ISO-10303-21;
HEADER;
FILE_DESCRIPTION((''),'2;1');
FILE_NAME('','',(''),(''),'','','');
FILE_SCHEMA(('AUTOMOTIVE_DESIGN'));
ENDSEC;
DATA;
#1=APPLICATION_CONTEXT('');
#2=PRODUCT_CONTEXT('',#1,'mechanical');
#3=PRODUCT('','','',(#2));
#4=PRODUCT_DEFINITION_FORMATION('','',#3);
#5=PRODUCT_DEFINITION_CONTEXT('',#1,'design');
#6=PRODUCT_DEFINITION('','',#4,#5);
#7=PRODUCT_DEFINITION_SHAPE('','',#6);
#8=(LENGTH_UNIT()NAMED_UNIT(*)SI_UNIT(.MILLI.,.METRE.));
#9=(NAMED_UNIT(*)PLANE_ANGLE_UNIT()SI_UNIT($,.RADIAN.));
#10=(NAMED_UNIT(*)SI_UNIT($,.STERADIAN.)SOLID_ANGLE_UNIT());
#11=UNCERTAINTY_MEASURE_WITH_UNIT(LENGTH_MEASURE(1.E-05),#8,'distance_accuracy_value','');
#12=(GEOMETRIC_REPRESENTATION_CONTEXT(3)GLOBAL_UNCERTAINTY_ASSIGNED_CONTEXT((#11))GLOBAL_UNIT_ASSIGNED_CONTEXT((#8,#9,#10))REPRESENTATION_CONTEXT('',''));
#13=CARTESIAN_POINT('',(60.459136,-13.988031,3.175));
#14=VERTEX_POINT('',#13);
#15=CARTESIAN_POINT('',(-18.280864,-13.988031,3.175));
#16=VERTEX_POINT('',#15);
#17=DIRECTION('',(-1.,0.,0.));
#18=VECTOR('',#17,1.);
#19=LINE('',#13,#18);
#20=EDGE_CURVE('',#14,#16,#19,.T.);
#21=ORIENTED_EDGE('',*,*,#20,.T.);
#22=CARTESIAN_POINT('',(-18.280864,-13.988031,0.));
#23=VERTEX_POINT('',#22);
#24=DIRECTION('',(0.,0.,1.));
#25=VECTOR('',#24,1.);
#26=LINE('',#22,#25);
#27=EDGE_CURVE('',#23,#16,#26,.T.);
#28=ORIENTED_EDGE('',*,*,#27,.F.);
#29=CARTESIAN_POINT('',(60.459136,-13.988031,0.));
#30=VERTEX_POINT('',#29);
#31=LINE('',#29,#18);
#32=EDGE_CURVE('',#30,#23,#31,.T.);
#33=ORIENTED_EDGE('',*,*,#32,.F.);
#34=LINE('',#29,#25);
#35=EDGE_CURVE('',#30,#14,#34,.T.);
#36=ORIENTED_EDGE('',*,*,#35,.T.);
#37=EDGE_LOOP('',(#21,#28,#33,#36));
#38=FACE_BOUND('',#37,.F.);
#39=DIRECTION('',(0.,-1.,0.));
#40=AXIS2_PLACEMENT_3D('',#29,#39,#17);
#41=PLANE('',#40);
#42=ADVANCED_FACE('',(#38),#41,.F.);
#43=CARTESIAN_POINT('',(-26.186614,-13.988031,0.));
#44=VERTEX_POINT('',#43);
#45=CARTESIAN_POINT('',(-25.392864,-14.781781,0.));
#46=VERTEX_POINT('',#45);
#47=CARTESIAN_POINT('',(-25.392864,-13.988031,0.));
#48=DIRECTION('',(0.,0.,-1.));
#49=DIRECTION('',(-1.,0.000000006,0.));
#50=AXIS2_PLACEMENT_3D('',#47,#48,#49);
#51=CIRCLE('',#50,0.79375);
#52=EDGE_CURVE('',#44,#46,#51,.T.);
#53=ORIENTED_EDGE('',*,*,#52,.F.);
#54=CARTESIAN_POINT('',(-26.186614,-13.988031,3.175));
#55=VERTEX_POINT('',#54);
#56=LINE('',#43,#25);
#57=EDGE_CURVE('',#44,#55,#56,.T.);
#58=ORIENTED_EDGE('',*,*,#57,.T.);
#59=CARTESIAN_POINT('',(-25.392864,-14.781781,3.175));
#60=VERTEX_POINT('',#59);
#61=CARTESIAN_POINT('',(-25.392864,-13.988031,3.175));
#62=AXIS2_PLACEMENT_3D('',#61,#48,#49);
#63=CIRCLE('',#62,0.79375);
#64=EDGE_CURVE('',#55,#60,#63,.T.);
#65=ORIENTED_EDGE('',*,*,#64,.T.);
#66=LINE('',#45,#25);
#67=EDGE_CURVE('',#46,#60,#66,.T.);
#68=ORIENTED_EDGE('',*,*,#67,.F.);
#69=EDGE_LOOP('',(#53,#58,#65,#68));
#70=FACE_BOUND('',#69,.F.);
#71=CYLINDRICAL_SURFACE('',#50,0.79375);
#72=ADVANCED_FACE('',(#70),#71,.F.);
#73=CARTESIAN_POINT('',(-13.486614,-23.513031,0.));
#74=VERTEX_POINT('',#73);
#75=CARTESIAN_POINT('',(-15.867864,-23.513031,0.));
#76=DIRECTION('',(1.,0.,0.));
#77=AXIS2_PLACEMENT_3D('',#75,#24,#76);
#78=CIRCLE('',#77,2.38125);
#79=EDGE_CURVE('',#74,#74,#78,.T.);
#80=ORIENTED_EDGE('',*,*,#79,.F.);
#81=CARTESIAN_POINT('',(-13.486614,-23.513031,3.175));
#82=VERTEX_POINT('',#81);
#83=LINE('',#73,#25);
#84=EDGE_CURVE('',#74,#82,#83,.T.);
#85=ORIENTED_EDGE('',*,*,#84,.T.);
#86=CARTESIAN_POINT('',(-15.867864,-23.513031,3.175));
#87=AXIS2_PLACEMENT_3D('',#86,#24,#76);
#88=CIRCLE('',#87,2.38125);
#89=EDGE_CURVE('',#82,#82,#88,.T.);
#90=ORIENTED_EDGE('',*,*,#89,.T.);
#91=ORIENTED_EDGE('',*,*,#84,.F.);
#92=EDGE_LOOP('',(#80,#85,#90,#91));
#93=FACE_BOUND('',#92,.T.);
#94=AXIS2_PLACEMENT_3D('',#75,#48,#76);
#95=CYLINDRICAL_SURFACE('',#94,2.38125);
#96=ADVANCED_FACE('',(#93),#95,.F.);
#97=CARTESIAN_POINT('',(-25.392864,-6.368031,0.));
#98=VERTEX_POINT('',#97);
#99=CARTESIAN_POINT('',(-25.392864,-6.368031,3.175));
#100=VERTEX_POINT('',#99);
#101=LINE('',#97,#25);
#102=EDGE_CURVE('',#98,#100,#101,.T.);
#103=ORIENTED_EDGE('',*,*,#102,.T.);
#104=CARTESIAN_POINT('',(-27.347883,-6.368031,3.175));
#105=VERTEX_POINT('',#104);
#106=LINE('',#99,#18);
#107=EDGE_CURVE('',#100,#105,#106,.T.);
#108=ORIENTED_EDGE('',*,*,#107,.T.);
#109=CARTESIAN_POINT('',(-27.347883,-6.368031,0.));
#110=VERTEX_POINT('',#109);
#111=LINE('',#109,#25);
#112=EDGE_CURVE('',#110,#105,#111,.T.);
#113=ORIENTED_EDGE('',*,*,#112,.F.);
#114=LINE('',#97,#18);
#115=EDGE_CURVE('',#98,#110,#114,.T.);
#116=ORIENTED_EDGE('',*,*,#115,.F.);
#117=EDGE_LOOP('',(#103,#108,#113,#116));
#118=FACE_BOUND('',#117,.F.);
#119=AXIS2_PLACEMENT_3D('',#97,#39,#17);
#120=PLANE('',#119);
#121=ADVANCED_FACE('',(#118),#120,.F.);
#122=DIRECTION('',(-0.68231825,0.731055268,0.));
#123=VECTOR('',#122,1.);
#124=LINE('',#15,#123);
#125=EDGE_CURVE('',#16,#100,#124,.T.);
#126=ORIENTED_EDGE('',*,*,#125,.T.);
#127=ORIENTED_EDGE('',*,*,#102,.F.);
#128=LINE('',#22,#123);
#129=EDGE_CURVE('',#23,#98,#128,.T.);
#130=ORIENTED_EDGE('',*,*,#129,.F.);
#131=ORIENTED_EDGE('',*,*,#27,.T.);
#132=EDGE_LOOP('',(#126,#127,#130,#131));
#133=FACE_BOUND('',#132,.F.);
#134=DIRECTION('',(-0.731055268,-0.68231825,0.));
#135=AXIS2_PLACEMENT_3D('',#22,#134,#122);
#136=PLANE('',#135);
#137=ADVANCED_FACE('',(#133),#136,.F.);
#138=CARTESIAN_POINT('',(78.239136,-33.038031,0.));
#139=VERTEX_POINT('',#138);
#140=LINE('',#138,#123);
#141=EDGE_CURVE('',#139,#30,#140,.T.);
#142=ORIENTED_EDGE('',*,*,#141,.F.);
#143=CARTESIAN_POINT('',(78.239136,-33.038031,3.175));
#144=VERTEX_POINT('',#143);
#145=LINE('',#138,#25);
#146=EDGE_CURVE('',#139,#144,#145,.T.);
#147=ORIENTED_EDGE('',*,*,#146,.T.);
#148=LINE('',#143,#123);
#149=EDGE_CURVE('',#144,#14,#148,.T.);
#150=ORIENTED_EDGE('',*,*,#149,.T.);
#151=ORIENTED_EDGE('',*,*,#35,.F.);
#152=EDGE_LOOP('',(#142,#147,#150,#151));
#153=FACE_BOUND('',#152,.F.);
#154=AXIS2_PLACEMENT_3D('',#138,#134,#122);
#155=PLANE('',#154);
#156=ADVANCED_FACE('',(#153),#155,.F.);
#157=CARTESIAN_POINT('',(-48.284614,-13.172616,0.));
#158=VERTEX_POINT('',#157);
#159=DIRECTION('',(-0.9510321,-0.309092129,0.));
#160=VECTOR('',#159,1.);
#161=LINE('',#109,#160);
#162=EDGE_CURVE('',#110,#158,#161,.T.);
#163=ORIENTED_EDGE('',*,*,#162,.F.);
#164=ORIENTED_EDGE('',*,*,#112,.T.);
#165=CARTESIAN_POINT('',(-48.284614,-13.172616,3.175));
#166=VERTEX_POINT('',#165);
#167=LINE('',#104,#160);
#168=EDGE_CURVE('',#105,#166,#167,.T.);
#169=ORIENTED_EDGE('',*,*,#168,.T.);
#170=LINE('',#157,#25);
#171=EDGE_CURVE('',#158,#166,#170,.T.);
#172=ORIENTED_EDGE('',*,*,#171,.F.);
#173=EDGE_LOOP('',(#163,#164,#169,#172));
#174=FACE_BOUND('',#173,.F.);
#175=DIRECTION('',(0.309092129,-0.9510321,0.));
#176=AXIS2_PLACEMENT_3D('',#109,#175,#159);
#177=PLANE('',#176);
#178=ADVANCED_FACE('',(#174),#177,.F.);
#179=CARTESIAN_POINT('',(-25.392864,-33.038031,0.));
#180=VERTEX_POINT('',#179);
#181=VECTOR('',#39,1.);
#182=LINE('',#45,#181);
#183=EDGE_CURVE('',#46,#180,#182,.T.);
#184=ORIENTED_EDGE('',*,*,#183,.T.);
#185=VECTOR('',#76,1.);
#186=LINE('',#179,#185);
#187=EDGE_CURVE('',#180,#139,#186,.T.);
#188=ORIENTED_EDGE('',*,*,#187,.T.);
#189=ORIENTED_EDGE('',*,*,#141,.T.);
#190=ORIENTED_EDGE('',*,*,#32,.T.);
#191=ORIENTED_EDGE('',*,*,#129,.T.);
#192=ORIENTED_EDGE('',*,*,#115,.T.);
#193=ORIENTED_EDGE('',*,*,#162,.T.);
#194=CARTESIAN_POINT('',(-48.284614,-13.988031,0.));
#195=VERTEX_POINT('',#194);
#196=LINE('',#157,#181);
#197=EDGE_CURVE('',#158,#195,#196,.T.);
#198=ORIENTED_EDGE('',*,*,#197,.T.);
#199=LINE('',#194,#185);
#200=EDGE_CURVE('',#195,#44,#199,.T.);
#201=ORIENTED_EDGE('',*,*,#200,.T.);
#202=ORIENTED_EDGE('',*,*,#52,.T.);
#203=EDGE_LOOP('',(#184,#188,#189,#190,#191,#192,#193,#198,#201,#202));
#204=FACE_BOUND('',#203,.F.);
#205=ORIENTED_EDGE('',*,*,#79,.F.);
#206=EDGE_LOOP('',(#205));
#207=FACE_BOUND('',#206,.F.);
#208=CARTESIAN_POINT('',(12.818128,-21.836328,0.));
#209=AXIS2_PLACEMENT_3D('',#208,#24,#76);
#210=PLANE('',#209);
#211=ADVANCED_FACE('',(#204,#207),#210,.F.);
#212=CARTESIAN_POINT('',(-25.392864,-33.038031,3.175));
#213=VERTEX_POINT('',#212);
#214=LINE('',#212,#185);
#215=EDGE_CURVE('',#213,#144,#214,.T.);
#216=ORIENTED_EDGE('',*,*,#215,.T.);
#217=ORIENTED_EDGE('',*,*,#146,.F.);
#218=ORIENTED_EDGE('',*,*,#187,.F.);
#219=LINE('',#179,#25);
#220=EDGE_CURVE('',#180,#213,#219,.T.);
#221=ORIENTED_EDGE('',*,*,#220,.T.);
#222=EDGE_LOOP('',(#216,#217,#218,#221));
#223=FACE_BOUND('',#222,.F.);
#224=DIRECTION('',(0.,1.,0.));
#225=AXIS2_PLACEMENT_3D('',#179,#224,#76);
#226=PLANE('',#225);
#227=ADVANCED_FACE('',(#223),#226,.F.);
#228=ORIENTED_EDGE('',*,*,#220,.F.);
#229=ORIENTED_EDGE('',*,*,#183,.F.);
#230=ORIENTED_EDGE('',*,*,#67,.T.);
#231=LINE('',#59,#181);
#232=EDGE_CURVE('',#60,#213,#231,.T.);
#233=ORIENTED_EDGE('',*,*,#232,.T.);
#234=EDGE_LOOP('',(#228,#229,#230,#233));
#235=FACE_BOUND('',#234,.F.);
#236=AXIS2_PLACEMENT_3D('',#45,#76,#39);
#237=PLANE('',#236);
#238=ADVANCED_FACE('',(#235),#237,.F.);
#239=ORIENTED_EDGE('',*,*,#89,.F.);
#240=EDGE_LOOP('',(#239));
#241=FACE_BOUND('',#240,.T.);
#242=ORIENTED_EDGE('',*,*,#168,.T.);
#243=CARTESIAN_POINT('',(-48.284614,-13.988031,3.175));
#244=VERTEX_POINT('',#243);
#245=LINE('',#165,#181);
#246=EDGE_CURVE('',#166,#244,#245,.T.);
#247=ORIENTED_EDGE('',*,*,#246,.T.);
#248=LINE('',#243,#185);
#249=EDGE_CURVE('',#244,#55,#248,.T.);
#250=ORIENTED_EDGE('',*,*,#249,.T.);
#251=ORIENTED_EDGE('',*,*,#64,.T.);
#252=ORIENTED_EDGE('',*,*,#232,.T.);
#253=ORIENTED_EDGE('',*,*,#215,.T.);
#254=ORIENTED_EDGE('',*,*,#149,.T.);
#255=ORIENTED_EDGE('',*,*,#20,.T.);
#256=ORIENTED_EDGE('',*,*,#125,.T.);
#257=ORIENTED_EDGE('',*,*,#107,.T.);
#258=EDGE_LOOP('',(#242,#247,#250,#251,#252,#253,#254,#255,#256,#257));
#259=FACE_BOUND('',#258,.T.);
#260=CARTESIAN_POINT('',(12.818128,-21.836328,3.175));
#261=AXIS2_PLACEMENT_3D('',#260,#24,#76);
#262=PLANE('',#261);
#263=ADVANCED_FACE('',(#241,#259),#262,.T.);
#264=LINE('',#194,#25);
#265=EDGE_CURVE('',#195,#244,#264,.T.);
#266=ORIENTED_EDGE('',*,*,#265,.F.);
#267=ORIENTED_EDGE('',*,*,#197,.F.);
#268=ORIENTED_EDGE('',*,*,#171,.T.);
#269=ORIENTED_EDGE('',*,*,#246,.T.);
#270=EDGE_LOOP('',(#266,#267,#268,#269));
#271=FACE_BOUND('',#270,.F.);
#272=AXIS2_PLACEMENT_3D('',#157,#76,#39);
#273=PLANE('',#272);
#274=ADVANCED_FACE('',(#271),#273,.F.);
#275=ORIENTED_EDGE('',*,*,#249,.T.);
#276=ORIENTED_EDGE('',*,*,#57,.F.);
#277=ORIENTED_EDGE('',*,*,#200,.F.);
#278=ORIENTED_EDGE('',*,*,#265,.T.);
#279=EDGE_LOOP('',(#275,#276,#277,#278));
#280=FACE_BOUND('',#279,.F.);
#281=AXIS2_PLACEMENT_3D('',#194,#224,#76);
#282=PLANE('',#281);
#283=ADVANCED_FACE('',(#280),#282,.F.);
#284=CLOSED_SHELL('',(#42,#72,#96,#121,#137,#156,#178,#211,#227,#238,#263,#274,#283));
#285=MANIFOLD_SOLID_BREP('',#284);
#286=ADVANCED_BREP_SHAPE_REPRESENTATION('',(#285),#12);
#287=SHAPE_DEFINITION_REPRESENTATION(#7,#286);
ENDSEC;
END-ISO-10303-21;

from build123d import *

# Parameters (mm, degrees)
F0_R     = 2.38125
F1_DEPTH = 3.175


with BuildPart() as f1:
    # F0 (on Top) → F1 (new body)
    with BuildSketch(Plane.XY):
        with BuildLine():
            Line((-25.392864, -14.781781), (-25.392864, -33.038031))
            Line((-25.392864, -33.038031), (78.239136, -33.038031))
            Line((78.239136, -33.038031), (60.459136, -13.988031))
            Line((60.459136, -13.988031), (-18.280864, -13.988031))
            Line((-18.280864, -13.988031), (-25.392864, -6.368031))
            Line((-25.392864, -6.368031), (-27.347883, -6.368031))
            Line((-27.347883, -6.368031), (-48.284614, -13.172616))
            Line((-48.284614, -13.172616), (-48.284614, -13.988031))
            Line((-48.284614, -13.988031), (-26.186614, -13.988031))
            ThreePointArc((-26.186614, -13.988031), (-24.831598, -13.426765), (-25.392864, -14.781781))
        make_face()
        with Locations((-15.867864, -23.513031)):
            Circle(F0_R, mode=Mode.SUBTRACT)
    extrude(amount=F1_DEPTH)


solid = f1.part
